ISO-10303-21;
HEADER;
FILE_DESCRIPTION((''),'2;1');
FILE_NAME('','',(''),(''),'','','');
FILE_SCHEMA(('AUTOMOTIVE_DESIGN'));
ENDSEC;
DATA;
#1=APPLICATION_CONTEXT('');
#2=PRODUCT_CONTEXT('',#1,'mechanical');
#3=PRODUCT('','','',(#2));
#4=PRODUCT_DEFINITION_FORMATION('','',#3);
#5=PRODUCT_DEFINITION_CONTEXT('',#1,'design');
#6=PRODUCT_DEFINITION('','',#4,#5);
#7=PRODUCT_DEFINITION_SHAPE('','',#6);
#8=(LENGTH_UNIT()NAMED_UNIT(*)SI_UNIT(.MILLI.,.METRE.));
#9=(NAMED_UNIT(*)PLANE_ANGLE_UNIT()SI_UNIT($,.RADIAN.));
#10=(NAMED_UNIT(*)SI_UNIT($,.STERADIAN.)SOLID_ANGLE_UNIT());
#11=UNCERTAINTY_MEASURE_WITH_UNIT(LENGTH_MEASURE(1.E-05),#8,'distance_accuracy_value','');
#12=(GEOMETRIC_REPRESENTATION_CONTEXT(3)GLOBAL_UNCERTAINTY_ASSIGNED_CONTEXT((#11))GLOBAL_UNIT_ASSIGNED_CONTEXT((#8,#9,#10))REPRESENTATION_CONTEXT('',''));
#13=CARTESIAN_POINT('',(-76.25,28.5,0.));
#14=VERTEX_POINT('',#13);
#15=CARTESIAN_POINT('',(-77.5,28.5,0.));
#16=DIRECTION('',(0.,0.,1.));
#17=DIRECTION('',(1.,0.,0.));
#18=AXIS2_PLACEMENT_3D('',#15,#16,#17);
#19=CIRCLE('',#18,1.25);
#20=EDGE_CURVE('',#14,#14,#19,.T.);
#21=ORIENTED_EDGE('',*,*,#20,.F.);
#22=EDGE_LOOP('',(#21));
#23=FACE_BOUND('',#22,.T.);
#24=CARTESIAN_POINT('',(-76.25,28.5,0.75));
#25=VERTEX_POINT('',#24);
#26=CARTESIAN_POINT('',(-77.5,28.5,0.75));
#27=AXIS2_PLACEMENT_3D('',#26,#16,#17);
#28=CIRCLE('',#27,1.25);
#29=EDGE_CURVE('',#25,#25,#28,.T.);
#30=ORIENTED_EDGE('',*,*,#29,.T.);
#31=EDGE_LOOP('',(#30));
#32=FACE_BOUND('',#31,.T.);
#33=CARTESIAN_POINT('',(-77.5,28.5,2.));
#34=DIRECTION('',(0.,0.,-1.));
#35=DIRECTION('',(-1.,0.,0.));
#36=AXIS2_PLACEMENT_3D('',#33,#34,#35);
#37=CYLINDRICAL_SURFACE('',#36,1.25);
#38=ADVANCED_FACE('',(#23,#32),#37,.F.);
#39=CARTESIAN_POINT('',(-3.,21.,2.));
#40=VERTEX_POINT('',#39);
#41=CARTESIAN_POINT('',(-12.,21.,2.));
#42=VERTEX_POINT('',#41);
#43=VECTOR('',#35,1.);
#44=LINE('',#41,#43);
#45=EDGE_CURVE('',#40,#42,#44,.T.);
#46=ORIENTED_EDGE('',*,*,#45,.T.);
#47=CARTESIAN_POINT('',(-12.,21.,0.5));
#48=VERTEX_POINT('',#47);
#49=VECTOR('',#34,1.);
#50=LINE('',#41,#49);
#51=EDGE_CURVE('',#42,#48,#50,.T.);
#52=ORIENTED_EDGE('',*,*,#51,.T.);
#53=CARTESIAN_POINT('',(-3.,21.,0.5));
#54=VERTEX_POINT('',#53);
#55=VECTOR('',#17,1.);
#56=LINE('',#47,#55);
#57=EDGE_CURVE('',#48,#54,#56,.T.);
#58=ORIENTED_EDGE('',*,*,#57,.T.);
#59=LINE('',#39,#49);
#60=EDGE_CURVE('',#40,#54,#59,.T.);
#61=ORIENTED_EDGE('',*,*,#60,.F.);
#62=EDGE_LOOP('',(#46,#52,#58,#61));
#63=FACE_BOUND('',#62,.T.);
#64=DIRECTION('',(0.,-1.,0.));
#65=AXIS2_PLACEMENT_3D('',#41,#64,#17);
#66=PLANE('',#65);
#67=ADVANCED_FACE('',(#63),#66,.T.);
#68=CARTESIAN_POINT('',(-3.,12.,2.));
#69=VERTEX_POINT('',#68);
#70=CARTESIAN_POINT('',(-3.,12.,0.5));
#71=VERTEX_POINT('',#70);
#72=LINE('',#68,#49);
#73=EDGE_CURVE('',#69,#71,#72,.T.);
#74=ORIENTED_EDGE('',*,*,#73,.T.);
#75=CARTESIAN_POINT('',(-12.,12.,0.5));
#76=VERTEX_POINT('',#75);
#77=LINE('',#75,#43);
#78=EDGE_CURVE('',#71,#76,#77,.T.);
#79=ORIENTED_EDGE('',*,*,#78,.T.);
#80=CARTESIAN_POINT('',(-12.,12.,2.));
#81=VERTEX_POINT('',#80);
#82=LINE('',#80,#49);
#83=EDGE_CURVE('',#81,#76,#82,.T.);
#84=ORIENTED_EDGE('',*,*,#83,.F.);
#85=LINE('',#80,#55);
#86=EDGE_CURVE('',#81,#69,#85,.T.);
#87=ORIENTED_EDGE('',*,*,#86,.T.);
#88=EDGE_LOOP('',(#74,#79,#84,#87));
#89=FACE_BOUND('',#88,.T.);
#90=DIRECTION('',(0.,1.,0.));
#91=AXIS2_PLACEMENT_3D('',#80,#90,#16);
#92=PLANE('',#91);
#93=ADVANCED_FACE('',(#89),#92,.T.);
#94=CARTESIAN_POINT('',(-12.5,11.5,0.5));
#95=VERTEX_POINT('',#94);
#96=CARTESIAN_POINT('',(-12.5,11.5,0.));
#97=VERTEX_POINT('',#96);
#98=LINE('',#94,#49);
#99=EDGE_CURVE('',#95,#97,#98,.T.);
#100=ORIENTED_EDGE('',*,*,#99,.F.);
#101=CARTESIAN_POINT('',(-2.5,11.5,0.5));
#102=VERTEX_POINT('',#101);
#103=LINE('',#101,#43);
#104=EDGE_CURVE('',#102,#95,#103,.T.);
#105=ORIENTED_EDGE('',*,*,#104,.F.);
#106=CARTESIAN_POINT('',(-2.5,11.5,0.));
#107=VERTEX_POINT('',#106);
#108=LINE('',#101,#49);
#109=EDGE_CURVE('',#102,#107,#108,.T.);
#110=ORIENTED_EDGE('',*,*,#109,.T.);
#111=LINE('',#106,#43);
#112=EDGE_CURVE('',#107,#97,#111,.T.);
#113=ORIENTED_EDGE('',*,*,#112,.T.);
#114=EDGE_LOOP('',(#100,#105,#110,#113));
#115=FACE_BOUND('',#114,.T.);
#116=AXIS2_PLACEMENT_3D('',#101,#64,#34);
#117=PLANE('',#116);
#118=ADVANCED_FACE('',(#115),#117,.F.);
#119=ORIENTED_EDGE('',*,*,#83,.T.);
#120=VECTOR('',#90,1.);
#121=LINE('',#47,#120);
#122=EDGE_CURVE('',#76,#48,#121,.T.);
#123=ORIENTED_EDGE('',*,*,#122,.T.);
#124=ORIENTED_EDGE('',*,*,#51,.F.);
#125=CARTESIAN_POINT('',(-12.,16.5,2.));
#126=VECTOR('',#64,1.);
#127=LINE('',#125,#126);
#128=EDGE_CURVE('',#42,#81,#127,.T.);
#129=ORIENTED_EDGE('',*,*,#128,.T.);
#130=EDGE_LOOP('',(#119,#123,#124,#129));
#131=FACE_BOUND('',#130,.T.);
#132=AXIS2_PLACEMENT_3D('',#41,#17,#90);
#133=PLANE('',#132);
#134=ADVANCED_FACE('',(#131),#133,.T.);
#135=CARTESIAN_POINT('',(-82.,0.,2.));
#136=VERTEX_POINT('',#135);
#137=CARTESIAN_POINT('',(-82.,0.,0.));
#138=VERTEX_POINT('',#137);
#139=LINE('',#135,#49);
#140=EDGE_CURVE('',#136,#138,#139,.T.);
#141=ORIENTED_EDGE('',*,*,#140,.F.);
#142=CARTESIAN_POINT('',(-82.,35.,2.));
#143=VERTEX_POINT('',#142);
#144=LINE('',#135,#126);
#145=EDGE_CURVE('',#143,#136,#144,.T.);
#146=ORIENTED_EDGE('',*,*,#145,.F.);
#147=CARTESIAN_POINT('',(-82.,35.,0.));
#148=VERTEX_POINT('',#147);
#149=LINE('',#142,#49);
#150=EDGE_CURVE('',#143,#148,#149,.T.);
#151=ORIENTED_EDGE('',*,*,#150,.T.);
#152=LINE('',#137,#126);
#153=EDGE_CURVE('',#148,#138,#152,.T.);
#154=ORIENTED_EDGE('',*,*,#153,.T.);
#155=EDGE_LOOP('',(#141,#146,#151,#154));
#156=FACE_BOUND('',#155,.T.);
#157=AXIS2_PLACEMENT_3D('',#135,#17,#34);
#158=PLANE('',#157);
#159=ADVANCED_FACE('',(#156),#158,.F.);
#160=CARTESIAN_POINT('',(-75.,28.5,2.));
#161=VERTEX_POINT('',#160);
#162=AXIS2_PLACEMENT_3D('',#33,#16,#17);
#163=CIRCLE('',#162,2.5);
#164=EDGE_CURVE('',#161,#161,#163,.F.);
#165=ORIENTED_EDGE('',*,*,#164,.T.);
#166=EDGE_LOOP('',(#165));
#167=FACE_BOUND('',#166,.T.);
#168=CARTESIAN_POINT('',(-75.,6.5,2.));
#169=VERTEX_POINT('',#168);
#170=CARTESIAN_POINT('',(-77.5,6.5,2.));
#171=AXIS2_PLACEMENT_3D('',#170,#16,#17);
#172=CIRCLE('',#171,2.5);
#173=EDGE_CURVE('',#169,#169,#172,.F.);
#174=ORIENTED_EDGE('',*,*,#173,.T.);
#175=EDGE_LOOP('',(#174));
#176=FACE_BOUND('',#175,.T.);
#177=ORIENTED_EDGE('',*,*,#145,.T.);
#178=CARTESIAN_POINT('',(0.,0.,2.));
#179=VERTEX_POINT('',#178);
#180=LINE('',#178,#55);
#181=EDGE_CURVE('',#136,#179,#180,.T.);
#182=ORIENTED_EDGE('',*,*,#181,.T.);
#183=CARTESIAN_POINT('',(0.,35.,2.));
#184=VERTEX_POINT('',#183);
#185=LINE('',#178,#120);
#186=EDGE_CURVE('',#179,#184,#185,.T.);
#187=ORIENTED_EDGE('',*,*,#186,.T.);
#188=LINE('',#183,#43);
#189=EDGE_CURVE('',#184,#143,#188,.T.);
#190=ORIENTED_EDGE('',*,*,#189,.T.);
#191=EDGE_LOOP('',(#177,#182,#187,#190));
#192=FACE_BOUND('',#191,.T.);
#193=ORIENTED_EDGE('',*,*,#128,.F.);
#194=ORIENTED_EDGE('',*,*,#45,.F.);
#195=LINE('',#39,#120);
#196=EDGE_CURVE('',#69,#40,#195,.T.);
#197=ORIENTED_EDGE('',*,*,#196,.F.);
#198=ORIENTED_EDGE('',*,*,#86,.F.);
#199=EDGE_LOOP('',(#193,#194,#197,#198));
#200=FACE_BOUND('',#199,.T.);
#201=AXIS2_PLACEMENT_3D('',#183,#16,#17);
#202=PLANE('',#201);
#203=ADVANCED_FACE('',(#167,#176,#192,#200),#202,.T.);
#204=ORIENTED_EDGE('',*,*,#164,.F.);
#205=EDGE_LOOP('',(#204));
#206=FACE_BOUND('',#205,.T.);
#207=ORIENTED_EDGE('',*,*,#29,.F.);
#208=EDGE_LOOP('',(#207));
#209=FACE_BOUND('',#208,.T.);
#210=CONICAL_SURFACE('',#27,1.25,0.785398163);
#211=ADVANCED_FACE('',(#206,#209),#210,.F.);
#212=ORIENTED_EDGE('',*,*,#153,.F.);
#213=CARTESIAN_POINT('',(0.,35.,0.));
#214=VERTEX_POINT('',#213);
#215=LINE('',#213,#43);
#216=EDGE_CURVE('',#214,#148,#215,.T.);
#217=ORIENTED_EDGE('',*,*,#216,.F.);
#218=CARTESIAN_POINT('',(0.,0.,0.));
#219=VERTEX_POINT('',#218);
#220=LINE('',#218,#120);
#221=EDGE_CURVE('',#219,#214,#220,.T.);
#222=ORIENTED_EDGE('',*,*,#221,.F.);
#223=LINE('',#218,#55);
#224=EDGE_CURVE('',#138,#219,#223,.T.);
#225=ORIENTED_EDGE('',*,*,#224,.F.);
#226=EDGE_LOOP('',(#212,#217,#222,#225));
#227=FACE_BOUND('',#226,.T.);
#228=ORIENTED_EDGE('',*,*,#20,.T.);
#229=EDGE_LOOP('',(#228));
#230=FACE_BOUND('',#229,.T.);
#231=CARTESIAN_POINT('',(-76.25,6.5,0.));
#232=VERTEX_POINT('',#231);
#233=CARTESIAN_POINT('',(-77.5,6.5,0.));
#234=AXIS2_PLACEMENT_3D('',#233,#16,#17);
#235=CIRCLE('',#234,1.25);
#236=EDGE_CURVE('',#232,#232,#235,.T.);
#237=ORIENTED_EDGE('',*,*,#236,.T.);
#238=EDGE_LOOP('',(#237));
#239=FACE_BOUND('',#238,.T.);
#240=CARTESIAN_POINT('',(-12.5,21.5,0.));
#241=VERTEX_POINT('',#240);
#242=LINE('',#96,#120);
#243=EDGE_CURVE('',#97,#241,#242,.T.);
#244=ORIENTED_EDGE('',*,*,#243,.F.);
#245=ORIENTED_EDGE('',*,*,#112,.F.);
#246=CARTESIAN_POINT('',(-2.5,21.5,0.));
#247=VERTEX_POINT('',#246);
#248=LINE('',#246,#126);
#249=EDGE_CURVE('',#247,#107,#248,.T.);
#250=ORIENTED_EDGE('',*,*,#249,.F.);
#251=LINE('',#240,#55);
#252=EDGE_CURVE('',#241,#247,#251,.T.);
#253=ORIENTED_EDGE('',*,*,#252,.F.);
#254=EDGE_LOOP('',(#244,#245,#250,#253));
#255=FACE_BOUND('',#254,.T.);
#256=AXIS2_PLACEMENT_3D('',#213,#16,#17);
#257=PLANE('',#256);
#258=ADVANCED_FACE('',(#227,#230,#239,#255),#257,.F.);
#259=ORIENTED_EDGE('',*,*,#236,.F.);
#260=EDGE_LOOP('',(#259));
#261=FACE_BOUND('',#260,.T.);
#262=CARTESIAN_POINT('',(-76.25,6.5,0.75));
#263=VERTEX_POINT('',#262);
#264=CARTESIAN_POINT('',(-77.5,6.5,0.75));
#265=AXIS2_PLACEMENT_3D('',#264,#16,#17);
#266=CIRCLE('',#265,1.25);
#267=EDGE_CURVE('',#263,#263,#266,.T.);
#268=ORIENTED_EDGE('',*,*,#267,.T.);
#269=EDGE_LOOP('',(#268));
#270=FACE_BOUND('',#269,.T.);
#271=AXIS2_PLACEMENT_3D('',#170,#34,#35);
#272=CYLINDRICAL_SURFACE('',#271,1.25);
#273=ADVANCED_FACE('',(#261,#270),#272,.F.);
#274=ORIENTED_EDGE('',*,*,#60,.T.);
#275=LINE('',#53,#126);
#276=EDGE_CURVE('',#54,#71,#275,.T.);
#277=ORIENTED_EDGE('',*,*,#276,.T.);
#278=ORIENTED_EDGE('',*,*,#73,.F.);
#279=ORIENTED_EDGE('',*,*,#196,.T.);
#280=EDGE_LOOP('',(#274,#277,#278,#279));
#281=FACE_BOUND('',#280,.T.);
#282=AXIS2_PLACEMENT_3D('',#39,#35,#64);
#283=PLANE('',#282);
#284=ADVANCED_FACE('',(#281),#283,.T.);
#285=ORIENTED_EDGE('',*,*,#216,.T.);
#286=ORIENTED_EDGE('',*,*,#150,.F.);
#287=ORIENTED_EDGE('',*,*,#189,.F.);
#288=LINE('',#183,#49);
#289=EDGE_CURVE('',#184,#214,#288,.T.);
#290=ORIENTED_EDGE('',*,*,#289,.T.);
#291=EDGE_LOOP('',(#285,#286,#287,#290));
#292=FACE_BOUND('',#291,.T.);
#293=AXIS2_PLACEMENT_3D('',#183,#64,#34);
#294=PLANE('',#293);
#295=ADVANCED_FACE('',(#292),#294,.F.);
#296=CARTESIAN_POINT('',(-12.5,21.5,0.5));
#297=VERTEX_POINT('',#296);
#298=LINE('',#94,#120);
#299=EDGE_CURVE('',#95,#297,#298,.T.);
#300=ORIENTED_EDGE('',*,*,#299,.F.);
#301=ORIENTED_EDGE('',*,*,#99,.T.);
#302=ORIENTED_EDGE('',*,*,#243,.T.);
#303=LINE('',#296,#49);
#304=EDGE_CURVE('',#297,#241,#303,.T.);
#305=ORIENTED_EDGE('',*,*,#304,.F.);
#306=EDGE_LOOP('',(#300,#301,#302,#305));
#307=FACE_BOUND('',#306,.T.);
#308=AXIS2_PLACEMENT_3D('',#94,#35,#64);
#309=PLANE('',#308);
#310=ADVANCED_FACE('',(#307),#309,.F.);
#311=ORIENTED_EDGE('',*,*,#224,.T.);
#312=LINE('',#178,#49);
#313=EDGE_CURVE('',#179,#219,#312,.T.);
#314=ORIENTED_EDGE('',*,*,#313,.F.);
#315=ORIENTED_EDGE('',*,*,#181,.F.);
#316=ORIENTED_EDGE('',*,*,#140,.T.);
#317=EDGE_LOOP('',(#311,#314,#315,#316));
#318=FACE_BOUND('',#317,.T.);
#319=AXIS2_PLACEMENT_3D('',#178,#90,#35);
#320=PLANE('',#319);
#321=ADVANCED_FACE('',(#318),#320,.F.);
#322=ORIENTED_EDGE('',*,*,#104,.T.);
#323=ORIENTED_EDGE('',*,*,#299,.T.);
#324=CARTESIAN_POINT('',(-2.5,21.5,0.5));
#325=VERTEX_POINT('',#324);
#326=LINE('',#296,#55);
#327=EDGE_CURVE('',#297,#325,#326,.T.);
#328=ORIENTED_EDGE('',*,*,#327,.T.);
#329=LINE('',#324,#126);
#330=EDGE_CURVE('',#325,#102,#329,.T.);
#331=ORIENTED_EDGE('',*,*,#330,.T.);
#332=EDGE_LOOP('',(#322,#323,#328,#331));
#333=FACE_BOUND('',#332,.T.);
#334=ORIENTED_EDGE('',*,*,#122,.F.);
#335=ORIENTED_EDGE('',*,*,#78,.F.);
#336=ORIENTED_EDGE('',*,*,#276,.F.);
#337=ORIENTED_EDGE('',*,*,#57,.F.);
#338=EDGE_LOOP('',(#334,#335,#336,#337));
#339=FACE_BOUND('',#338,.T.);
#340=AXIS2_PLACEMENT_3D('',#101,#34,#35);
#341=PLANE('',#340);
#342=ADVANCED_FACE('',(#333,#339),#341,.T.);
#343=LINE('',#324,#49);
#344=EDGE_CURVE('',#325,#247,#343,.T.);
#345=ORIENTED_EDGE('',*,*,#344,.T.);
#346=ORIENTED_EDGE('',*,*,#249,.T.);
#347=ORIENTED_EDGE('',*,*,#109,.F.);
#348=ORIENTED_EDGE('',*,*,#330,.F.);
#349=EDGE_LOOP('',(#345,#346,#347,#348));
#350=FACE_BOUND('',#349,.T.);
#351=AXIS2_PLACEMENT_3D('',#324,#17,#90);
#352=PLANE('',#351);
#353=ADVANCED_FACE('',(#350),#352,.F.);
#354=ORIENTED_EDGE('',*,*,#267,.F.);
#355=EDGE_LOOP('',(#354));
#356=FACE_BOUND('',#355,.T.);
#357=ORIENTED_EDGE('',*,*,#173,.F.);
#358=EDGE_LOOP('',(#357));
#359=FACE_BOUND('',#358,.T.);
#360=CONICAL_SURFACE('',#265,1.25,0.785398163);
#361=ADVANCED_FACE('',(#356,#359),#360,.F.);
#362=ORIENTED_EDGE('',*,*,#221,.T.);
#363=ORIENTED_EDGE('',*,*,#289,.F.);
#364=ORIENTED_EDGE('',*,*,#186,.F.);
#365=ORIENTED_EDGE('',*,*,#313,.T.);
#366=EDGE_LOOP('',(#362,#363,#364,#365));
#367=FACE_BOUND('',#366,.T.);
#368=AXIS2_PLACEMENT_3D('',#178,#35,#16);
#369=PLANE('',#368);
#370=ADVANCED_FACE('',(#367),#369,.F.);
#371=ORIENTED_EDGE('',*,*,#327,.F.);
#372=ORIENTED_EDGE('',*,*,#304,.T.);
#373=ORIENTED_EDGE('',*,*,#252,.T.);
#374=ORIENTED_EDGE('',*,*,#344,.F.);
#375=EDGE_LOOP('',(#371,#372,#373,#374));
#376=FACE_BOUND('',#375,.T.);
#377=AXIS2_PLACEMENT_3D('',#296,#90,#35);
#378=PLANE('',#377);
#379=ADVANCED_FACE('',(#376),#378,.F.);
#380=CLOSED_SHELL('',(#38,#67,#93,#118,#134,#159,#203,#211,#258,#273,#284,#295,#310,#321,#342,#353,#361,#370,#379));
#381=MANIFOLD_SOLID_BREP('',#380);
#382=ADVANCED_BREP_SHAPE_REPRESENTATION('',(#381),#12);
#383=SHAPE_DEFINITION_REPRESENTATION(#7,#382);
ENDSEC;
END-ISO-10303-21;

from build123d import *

# Parameters (mm, degrees)
ESQUISSE1_W             = 82
ESQUISSE1_H             = 35
ESQUISSE1_R             = 1.25
EXTRUSION1_DEPTH        = 2
CHANFREIN1_SIZE         = 1.25
ESQUISSE2_W             = 10
ESQUISSE2_H             = 10
ENL_V_MAT_EXTRU_1_DEPTH = 0.5


with BuildPart() as part:
    # Esquisse1 → Extrusion1 (new body)
    with BuildSketch(Plane.XY):
        with Locations((-41, 17.5)):
            Rectangle(ESQUISSE1_W, ESQUISSE1_H)
        with Locations((-77.5, 28.5)):
            Circle(ESQUISSE1_R, mode=Mode.SUBTRACT)
        with Locations((-77.5, 6.5)):
            Circle(ESQUISSE1_R, mode=Mode.SUBTRACT)
        Polygon((-12, 21), (-3, 21), (-3, 12), (-12, 12), (-12, 16.5), align=None, mode=Mode.SUBTRACT)
    extrude(amount=EXTRUSION1_DEPTH)

    # Chanfrein1
    chanfrein1_edges = [part.edges().sort_by_distance(p)[0] for p in [
        (-78.75, 28.5, 2),
        (-78.75, 6.5, 2),
    ]]
    chamfer(chanfrein1_edges, length=CHANFREIN1_SIZE)

    # Esquisse2 → Enlèv. mat.-Extru.1 (cut)
    with BuildSketch(Plane(origin=(0, 0, 0), x_dir=(-1, 0, 0), z_dir=(0, 0, -1))):
        with Locations((7.5, 16.5)):
            Rectangle(ESQUISSE2_W, ESQUISSE2_H)
    extrude(amount=-ENL_V_MAT_EXTRU_1_DEPTH, mode=Mode.SUBTRACT)


solid = part.part
